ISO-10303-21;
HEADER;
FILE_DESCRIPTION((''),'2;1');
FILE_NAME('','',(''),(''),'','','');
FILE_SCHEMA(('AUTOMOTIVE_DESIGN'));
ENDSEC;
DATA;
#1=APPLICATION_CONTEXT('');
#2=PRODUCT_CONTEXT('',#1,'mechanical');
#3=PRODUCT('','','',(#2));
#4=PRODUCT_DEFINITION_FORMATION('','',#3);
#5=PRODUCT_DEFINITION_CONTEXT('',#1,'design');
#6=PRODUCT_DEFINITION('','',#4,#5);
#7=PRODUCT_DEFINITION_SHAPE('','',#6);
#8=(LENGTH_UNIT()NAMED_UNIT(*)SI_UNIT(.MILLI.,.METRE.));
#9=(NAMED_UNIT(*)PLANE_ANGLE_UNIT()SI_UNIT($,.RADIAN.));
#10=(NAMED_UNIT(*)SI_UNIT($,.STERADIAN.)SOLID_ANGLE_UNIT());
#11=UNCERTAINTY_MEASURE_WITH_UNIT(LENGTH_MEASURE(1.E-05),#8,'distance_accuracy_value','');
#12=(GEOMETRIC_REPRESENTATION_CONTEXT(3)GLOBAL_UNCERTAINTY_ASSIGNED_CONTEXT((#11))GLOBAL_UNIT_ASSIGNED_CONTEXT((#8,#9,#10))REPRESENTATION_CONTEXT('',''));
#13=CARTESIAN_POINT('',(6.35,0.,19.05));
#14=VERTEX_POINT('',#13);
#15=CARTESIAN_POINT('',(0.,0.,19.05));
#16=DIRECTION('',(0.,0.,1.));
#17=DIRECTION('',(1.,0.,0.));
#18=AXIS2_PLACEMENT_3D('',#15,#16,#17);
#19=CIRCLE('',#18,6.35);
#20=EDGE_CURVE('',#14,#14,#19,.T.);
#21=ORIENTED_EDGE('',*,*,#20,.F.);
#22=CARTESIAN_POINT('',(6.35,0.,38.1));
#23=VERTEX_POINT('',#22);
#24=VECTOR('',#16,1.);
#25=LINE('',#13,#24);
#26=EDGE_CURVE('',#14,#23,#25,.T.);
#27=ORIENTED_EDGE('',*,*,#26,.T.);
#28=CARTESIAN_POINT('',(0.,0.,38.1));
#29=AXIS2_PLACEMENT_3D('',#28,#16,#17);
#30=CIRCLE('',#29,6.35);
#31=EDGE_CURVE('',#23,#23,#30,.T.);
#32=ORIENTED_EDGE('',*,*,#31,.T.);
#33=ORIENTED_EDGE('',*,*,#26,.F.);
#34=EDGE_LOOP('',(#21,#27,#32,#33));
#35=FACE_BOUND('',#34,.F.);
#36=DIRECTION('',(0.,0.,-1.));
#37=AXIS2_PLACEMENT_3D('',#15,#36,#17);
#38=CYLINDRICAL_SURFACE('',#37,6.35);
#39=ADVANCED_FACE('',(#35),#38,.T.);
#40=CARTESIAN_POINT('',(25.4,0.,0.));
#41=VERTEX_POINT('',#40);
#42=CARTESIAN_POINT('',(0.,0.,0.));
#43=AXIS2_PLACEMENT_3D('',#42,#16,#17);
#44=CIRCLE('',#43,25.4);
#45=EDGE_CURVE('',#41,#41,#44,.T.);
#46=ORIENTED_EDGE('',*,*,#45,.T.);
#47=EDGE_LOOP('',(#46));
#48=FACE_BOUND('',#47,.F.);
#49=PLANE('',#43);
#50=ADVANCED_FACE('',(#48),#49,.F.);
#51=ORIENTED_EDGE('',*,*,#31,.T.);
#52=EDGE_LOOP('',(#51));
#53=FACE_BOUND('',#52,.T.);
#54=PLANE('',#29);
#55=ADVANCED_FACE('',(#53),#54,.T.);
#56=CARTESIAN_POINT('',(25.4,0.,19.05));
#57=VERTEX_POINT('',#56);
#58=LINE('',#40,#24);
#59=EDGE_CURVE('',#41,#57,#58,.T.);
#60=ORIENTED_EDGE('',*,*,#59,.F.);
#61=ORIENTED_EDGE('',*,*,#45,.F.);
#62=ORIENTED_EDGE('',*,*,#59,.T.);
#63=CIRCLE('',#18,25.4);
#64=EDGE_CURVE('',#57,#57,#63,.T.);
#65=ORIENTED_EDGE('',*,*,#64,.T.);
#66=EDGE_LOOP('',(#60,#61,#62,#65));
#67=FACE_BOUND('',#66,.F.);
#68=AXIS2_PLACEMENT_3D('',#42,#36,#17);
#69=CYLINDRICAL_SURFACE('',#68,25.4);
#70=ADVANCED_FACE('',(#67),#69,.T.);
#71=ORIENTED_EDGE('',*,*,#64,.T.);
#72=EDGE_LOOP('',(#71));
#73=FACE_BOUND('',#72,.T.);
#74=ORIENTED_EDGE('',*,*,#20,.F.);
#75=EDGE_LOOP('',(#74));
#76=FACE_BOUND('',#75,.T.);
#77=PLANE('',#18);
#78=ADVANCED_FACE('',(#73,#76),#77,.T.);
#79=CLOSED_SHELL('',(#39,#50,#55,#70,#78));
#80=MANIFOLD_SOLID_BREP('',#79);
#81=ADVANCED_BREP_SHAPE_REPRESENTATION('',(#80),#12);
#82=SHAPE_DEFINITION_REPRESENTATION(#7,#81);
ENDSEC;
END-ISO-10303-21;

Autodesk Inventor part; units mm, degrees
ref_plane "YZ Plane" through (0, 0, 0) normal (1, 0, 0) x (0, 1, 0)
ref_plane "XZ Plane" through (0, 0, 0) normal (0, 1, 0) x (-1, 0, 0)
ref_plane "XY Plane" through (0, 0, 0) normal (0, 0, 1) x (1, 0, 0)
sketch "Sketch1" plane through (0, 0, 0) normal (0, 0, 1) x (1, 0, 0)
  circle A0 centre (0, 0) radius 25.4
  dimension "d1" = 50.8
extrude "Extrusion1" add sketch "Sketch1" along normal blind 19.05
sketch "Sketch2" plane through (0, 0, 19.05) normal (0, 0, 1) x (1, 0, 0)
  circle A0 centre (0, 0) radius 25.4 projected
  circle A1 centre (0, 0) radius 6.35
  dimension "d4" = 12.7
extrude "Extrusion2" add sketch "Sketch2" along normal blind 19.05 contours A1
properties part number "sample i-mate rod"
